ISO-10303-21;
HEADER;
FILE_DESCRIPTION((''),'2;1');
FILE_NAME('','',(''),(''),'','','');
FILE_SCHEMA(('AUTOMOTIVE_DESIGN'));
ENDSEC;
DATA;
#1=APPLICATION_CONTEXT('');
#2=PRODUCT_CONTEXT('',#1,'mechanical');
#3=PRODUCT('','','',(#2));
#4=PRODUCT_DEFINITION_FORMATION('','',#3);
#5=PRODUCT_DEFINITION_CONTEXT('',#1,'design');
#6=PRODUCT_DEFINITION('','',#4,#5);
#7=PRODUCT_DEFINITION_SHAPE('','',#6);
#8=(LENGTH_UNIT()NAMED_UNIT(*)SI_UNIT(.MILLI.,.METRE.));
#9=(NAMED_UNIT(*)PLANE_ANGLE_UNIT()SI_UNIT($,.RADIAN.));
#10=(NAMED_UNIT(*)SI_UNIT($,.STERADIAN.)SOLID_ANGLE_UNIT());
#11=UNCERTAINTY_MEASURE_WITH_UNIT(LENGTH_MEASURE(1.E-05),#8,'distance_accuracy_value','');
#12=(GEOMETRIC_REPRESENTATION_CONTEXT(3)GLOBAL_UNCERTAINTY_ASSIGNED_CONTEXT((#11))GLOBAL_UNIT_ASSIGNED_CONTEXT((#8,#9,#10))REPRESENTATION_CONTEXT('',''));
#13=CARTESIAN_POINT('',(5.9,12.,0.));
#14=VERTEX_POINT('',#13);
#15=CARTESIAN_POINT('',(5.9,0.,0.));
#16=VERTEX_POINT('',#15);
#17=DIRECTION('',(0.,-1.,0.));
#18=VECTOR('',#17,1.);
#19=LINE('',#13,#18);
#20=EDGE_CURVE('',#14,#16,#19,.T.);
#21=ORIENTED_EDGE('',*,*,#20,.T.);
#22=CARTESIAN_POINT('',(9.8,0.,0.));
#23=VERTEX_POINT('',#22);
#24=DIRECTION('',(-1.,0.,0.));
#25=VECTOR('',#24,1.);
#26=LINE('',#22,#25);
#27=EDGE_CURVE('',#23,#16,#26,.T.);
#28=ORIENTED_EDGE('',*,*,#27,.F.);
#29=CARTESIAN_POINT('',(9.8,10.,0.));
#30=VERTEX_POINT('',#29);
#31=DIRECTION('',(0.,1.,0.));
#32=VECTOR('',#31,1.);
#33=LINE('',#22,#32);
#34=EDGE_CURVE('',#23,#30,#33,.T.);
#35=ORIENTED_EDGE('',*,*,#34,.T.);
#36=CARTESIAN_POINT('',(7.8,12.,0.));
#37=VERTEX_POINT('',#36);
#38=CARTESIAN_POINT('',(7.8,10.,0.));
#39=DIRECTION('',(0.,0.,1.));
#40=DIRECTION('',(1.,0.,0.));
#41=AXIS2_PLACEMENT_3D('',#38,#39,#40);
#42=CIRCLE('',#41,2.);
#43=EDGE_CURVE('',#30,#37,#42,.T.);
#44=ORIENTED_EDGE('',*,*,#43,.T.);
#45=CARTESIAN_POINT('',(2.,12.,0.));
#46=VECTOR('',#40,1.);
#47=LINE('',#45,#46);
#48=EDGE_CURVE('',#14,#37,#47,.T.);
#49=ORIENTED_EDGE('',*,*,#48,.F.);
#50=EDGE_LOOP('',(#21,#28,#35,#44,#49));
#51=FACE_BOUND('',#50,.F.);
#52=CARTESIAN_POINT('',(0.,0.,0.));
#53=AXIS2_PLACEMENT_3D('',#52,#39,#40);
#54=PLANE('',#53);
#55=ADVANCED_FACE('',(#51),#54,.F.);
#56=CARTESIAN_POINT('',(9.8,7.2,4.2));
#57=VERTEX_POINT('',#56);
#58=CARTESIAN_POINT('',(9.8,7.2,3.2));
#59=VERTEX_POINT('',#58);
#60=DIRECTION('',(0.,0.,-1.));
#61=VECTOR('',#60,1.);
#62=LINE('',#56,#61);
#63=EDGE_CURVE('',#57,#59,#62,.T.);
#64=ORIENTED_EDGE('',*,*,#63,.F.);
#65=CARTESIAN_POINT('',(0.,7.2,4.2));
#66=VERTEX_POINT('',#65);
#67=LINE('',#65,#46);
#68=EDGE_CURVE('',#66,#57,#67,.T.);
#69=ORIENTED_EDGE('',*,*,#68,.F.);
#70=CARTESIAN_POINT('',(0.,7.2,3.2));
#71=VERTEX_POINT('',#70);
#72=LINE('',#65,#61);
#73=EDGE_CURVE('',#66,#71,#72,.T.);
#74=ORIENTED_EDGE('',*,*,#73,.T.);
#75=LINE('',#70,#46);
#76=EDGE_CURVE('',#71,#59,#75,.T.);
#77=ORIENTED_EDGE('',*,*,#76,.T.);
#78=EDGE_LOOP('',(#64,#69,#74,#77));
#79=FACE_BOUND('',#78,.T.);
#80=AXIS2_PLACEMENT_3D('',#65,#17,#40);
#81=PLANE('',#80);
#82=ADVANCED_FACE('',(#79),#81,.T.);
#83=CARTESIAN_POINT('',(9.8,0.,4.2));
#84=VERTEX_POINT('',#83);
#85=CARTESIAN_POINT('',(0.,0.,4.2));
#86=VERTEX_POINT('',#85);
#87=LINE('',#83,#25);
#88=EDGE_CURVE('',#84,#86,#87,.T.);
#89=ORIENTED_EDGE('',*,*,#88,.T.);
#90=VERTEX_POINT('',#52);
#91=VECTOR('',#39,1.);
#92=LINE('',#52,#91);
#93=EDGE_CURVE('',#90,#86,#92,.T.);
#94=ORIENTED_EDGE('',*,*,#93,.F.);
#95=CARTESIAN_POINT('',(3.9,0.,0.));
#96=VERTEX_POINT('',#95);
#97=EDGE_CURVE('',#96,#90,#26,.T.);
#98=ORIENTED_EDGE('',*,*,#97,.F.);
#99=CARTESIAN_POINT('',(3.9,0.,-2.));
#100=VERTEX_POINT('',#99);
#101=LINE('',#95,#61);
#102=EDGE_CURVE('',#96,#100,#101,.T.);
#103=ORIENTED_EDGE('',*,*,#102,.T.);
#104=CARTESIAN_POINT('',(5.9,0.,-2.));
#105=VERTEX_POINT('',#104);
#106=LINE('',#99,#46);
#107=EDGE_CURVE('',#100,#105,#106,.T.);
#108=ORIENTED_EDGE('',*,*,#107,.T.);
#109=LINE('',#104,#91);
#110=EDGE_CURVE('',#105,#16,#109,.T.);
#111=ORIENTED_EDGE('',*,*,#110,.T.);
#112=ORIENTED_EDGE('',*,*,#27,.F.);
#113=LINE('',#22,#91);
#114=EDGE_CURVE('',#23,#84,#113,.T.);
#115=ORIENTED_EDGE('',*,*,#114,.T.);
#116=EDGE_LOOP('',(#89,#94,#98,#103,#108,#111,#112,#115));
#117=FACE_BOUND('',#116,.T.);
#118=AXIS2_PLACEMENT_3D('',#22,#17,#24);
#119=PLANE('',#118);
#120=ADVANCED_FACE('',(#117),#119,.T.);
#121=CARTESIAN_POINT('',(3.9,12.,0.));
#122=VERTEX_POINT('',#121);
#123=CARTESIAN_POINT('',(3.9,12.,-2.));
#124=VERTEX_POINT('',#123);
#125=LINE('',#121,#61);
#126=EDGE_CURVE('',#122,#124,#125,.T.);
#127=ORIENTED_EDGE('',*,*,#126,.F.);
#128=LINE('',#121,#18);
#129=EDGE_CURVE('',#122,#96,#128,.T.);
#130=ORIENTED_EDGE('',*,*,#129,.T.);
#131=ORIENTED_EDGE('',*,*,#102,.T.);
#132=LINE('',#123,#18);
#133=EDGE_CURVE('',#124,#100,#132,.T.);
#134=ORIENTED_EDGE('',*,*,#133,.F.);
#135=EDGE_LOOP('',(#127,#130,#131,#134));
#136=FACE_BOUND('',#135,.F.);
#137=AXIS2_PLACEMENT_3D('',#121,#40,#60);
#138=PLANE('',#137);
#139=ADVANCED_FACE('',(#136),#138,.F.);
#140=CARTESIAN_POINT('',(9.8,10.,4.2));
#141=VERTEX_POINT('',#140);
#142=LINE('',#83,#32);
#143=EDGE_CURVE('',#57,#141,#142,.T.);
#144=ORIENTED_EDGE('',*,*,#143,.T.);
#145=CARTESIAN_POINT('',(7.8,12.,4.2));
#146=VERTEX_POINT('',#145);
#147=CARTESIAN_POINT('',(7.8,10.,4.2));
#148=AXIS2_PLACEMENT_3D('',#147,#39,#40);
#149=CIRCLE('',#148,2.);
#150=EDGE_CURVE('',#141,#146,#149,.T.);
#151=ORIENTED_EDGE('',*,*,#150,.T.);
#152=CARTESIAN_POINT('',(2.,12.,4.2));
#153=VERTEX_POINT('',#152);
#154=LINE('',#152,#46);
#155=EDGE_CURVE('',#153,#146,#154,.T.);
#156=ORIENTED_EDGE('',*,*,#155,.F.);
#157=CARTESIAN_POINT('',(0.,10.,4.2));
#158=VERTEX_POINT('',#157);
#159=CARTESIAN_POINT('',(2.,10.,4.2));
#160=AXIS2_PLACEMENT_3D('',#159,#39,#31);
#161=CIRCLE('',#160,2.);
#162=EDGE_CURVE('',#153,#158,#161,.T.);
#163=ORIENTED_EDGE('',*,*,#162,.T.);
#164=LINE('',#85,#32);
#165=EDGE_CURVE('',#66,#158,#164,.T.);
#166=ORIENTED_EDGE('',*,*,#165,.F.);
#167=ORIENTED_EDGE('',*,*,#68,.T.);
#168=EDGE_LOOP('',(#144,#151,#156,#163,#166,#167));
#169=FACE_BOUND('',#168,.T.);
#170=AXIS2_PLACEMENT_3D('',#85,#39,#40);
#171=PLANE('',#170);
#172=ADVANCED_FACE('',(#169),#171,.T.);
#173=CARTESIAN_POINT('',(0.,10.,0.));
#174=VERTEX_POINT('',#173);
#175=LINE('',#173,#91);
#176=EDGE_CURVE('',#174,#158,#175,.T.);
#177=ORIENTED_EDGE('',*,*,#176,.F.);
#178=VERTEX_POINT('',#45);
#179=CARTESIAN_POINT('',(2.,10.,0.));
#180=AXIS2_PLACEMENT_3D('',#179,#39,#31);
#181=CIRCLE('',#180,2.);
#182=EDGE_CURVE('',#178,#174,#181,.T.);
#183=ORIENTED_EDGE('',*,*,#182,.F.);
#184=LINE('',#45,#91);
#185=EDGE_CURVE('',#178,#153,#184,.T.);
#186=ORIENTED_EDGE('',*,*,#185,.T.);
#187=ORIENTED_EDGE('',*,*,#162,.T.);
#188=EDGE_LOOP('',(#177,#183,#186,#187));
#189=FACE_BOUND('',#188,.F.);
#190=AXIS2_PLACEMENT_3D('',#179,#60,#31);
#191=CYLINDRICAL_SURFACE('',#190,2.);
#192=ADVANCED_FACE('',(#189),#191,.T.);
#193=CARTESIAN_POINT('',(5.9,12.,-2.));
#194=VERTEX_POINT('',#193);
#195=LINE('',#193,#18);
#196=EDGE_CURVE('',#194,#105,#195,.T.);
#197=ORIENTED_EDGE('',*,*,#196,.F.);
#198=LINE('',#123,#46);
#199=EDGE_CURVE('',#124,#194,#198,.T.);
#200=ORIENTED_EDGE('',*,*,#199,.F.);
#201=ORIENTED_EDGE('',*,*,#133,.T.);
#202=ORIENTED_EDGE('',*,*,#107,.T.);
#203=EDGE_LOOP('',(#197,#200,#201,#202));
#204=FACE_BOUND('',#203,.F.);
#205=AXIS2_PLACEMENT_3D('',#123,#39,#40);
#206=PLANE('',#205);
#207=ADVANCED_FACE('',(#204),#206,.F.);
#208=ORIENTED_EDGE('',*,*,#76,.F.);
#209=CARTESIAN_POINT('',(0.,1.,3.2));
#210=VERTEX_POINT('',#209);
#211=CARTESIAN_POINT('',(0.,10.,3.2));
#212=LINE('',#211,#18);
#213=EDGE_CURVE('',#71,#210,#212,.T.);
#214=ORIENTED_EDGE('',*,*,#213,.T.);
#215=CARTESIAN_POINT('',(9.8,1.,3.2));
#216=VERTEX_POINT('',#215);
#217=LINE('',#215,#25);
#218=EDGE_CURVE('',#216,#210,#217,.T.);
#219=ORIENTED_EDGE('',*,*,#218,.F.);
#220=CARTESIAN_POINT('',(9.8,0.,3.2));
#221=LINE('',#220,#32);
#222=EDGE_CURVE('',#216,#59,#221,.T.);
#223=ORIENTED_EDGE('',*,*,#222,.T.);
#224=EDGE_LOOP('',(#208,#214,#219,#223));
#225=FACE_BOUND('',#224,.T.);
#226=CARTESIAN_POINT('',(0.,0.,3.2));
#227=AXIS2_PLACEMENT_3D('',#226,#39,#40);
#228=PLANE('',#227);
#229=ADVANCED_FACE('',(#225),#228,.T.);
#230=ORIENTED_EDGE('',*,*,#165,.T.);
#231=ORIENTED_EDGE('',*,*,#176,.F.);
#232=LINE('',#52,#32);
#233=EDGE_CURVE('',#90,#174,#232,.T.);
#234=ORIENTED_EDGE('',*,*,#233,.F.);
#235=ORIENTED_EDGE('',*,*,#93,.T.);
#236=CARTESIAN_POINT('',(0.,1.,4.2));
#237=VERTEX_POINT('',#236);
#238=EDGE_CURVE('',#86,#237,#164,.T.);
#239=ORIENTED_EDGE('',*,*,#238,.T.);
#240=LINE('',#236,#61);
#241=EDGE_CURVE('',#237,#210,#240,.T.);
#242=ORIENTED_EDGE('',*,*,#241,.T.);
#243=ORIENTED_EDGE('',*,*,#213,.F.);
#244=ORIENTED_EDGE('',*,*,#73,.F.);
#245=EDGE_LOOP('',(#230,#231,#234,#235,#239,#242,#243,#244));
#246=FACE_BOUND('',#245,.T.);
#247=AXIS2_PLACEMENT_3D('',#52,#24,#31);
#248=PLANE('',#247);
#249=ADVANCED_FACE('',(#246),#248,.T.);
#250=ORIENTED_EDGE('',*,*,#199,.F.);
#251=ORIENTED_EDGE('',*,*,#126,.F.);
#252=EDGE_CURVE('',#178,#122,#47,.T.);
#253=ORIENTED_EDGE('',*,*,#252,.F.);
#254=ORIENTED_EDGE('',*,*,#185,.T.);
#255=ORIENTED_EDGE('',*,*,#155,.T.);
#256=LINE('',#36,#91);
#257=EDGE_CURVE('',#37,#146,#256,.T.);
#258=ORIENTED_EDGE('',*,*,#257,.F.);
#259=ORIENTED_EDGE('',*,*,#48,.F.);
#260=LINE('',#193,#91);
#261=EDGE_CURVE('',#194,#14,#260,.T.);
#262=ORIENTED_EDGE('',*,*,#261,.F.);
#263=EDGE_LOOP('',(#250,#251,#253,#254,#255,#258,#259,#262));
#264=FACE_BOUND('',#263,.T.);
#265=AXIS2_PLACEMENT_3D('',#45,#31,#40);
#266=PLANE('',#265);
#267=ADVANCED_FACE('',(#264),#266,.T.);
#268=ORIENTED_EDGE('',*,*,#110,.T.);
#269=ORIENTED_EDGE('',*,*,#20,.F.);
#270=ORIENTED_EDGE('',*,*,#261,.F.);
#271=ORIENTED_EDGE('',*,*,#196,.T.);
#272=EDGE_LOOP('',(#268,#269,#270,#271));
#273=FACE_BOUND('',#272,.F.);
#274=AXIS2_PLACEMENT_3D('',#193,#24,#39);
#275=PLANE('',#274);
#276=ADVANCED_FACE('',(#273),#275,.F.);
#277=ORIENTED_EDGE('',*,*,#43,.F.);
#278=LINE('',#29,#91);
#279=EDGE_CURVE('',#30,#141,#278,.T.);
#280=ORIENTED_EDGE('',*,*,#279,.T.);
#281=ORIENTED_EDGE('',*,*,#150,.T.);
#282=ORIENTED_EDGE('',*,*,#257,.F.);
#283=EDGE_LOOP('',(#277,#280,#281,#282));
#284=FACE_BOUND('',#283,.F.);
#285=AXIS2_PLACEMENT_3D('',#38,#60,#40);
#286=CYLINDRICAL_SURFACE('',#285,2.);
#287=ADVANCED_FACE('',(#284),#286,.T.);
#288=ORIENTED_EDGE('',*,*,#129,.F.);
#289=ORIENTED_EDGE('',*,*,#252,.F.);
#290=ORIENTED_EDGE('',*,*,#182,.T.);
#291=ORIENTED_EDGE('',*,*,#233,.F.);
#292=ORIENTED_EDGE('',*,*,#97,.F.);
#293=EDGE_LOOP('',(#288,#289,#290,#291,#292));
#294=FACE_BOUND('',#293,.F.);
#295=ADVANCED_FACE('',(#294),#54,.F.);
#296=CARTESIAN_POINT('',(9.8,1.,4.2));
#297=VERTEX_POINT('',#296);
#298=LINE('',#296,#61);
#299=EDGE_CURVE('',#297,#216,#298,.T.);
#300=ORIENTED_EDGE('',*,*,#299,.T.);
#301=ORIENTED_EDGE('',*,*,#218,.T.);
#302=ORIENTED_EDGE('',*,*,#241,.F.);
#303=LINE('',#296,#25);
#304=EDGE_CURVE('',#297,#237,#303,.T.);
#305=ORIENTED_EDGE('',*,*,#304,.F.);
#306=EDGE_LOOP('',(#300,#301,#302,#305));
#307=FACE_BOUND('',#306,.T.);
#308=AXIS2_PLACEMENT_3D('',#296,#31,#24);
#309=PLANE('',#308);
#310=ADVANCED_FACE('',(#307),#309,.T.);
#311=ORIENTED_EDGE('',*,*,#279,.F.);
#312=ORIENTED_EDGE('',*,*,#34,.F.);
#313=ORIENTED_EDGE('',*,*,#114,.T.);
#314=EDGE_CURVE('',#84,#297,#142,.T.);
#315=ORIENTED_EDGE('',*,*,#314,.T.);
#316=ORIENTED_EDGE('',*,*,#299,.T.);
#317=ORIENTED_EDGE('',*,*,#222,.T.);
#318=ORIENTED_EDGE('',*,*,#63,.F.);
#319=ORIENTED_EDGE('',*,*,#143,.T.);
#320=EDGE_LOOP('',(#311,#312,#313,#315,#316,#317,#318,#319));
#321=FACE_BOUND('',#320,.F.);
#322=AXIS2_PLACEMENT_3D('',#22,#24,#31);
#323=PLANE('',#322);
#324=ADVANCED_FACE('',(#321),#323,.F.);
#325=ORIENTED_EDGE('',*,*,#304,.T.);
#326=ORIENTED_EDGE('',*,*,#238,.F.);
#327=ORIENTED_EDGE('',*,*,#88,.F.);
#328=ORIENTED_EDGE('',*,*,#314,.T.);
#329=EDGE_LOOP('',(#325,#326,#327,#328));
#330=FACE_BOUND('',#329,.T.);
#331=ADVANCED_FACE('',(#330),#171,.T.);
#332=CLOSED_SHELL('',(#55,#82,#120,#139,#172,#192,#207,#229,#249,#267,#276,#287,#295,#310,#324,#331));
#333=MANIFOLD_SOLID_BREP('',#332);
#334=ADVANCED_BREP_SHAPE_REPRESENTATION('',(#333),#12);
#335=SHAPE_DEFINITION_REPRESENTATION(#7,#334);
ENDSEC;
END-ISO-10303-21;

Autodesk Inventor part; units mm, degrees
ref_plane "YZ Plane" through (0, 0, 0) normal (1, 0, 0) x (0, 1, 0)
ref_plane "XZ Plane" through (0, 0, 0) normal (0, 1, 0) x (-1, 0, 0)
ref_plane "XY Plane" through (0, 0, 0) normal (0, 0, 1) x (1, 0, 0)
sketch "Эскиз1" plane through (0, 0, 0) normal (0, 0, 1) x (1, 0, 0)
  arc A0 (9.8, 10) -> (7.8, 12) centre (7.8, 10) ccw projected
  line L0 (2, 12) -> (7.8, 12) projected
  arc A1 (2, 12) -> (0, 10) centre (2, 10) ccw projected
  line L1 (0, 0) -> (0, 10) projected
  line L2 (9.8, 0) -> (0, 0) projected
  line L3 (9.8, 0) -> (9.8, 10) projected
  line L4 (2.05, 7.1454) -> (4.9, 8.7909) projected
  line L5 (4.9, 8.7909) -> (7.75, 7.1454) projected
  line L6 (7.75, 7.1454) -> (7.75, 3.8546) projected
  line L7 (7.75, 3.8546) -> (4.9, 2.2091) projected
  line L8 (4.9, 2.2091) -> (2.05, 3.8546) projected
  line L9 (2.05, 3.8546) -> (2.05, 7.1454) projected
  circle A2 centre (4.9, 5.5) radius 1.7 projected
  circle A3 centre (4.9, 5.5) radius 1.5
  dimension "d0" = 3
extrude "Выдавливание1" add sketch "Эскиз1" along normal blind 4.2 contours L3 L2 L1 A1 L0 A0 | L4 L5 L6 L7 L8 L9 | A2 | A3
sketch "Эскиз2" plane through (0, 0, 4.2) normal (0, 0, 1) x (1, 0, 0)
  line L0 (0, 10) -> (0, 0) projected
  line L1 (9.8, 0) -> (9.8, 10) projected
  line L2 (0, 7.2) -> (9.8, 7.2)
  line L3 (9.8, 7.2) -> (9.8, 1)
  line L4 (9.8, 1) -> (0, 1)
  line L5 (0, 1) -> (0, 7.2)
  line L6 (0, 0) -> (9.8, 0) projected
  dimension "d3" = 1
  dimension "d4" = 6.2
extrude "Выдавливание2" cut sketch "Эскиз2" against normal blind 1 contours L2 L1 L4 L0
sketch "Эскиз3" plane through (2, 12, 0) normal (0, 1, 0) x (1, 0, 0)
  line L0 (5.8, 0) -> (5.8, -4.2) projected
  line L1 (0, 0) -> (5.8, 0) projected
  line L2 (5.8, 0) -> (0, 0)
  line L3 (2.9, 0) -> (2.9, -1.6661)
  line L4 (3.9, 0) -> (1.9, 0)
  line L5 (1.9, 0) -> (1.9, -1)
  line L6 (1.9, -1) -> (3.9, -1)
  line L7 (3.9, -1) -> (3.9, 0)
  line L8 (3.9, 0) -> (1.9, 0)
  line L9 (1.9, 0) -> (1.9, 2)
  line L10 (1.9, 2) -> (3.9, 2)
  line L11 (3.9, 2) -> (3.9, 0)
  point P0 (-2, 0)
  dimension "d7" = 2
  dimension "d8" = 1
  dimension "d9" = 2
extrude "Выдавливание3" add sketch "Эскиз3" against normal up to surface (12 mm away) contours L9 L10 L11 L1
properties part number "натяжитель ремня"
